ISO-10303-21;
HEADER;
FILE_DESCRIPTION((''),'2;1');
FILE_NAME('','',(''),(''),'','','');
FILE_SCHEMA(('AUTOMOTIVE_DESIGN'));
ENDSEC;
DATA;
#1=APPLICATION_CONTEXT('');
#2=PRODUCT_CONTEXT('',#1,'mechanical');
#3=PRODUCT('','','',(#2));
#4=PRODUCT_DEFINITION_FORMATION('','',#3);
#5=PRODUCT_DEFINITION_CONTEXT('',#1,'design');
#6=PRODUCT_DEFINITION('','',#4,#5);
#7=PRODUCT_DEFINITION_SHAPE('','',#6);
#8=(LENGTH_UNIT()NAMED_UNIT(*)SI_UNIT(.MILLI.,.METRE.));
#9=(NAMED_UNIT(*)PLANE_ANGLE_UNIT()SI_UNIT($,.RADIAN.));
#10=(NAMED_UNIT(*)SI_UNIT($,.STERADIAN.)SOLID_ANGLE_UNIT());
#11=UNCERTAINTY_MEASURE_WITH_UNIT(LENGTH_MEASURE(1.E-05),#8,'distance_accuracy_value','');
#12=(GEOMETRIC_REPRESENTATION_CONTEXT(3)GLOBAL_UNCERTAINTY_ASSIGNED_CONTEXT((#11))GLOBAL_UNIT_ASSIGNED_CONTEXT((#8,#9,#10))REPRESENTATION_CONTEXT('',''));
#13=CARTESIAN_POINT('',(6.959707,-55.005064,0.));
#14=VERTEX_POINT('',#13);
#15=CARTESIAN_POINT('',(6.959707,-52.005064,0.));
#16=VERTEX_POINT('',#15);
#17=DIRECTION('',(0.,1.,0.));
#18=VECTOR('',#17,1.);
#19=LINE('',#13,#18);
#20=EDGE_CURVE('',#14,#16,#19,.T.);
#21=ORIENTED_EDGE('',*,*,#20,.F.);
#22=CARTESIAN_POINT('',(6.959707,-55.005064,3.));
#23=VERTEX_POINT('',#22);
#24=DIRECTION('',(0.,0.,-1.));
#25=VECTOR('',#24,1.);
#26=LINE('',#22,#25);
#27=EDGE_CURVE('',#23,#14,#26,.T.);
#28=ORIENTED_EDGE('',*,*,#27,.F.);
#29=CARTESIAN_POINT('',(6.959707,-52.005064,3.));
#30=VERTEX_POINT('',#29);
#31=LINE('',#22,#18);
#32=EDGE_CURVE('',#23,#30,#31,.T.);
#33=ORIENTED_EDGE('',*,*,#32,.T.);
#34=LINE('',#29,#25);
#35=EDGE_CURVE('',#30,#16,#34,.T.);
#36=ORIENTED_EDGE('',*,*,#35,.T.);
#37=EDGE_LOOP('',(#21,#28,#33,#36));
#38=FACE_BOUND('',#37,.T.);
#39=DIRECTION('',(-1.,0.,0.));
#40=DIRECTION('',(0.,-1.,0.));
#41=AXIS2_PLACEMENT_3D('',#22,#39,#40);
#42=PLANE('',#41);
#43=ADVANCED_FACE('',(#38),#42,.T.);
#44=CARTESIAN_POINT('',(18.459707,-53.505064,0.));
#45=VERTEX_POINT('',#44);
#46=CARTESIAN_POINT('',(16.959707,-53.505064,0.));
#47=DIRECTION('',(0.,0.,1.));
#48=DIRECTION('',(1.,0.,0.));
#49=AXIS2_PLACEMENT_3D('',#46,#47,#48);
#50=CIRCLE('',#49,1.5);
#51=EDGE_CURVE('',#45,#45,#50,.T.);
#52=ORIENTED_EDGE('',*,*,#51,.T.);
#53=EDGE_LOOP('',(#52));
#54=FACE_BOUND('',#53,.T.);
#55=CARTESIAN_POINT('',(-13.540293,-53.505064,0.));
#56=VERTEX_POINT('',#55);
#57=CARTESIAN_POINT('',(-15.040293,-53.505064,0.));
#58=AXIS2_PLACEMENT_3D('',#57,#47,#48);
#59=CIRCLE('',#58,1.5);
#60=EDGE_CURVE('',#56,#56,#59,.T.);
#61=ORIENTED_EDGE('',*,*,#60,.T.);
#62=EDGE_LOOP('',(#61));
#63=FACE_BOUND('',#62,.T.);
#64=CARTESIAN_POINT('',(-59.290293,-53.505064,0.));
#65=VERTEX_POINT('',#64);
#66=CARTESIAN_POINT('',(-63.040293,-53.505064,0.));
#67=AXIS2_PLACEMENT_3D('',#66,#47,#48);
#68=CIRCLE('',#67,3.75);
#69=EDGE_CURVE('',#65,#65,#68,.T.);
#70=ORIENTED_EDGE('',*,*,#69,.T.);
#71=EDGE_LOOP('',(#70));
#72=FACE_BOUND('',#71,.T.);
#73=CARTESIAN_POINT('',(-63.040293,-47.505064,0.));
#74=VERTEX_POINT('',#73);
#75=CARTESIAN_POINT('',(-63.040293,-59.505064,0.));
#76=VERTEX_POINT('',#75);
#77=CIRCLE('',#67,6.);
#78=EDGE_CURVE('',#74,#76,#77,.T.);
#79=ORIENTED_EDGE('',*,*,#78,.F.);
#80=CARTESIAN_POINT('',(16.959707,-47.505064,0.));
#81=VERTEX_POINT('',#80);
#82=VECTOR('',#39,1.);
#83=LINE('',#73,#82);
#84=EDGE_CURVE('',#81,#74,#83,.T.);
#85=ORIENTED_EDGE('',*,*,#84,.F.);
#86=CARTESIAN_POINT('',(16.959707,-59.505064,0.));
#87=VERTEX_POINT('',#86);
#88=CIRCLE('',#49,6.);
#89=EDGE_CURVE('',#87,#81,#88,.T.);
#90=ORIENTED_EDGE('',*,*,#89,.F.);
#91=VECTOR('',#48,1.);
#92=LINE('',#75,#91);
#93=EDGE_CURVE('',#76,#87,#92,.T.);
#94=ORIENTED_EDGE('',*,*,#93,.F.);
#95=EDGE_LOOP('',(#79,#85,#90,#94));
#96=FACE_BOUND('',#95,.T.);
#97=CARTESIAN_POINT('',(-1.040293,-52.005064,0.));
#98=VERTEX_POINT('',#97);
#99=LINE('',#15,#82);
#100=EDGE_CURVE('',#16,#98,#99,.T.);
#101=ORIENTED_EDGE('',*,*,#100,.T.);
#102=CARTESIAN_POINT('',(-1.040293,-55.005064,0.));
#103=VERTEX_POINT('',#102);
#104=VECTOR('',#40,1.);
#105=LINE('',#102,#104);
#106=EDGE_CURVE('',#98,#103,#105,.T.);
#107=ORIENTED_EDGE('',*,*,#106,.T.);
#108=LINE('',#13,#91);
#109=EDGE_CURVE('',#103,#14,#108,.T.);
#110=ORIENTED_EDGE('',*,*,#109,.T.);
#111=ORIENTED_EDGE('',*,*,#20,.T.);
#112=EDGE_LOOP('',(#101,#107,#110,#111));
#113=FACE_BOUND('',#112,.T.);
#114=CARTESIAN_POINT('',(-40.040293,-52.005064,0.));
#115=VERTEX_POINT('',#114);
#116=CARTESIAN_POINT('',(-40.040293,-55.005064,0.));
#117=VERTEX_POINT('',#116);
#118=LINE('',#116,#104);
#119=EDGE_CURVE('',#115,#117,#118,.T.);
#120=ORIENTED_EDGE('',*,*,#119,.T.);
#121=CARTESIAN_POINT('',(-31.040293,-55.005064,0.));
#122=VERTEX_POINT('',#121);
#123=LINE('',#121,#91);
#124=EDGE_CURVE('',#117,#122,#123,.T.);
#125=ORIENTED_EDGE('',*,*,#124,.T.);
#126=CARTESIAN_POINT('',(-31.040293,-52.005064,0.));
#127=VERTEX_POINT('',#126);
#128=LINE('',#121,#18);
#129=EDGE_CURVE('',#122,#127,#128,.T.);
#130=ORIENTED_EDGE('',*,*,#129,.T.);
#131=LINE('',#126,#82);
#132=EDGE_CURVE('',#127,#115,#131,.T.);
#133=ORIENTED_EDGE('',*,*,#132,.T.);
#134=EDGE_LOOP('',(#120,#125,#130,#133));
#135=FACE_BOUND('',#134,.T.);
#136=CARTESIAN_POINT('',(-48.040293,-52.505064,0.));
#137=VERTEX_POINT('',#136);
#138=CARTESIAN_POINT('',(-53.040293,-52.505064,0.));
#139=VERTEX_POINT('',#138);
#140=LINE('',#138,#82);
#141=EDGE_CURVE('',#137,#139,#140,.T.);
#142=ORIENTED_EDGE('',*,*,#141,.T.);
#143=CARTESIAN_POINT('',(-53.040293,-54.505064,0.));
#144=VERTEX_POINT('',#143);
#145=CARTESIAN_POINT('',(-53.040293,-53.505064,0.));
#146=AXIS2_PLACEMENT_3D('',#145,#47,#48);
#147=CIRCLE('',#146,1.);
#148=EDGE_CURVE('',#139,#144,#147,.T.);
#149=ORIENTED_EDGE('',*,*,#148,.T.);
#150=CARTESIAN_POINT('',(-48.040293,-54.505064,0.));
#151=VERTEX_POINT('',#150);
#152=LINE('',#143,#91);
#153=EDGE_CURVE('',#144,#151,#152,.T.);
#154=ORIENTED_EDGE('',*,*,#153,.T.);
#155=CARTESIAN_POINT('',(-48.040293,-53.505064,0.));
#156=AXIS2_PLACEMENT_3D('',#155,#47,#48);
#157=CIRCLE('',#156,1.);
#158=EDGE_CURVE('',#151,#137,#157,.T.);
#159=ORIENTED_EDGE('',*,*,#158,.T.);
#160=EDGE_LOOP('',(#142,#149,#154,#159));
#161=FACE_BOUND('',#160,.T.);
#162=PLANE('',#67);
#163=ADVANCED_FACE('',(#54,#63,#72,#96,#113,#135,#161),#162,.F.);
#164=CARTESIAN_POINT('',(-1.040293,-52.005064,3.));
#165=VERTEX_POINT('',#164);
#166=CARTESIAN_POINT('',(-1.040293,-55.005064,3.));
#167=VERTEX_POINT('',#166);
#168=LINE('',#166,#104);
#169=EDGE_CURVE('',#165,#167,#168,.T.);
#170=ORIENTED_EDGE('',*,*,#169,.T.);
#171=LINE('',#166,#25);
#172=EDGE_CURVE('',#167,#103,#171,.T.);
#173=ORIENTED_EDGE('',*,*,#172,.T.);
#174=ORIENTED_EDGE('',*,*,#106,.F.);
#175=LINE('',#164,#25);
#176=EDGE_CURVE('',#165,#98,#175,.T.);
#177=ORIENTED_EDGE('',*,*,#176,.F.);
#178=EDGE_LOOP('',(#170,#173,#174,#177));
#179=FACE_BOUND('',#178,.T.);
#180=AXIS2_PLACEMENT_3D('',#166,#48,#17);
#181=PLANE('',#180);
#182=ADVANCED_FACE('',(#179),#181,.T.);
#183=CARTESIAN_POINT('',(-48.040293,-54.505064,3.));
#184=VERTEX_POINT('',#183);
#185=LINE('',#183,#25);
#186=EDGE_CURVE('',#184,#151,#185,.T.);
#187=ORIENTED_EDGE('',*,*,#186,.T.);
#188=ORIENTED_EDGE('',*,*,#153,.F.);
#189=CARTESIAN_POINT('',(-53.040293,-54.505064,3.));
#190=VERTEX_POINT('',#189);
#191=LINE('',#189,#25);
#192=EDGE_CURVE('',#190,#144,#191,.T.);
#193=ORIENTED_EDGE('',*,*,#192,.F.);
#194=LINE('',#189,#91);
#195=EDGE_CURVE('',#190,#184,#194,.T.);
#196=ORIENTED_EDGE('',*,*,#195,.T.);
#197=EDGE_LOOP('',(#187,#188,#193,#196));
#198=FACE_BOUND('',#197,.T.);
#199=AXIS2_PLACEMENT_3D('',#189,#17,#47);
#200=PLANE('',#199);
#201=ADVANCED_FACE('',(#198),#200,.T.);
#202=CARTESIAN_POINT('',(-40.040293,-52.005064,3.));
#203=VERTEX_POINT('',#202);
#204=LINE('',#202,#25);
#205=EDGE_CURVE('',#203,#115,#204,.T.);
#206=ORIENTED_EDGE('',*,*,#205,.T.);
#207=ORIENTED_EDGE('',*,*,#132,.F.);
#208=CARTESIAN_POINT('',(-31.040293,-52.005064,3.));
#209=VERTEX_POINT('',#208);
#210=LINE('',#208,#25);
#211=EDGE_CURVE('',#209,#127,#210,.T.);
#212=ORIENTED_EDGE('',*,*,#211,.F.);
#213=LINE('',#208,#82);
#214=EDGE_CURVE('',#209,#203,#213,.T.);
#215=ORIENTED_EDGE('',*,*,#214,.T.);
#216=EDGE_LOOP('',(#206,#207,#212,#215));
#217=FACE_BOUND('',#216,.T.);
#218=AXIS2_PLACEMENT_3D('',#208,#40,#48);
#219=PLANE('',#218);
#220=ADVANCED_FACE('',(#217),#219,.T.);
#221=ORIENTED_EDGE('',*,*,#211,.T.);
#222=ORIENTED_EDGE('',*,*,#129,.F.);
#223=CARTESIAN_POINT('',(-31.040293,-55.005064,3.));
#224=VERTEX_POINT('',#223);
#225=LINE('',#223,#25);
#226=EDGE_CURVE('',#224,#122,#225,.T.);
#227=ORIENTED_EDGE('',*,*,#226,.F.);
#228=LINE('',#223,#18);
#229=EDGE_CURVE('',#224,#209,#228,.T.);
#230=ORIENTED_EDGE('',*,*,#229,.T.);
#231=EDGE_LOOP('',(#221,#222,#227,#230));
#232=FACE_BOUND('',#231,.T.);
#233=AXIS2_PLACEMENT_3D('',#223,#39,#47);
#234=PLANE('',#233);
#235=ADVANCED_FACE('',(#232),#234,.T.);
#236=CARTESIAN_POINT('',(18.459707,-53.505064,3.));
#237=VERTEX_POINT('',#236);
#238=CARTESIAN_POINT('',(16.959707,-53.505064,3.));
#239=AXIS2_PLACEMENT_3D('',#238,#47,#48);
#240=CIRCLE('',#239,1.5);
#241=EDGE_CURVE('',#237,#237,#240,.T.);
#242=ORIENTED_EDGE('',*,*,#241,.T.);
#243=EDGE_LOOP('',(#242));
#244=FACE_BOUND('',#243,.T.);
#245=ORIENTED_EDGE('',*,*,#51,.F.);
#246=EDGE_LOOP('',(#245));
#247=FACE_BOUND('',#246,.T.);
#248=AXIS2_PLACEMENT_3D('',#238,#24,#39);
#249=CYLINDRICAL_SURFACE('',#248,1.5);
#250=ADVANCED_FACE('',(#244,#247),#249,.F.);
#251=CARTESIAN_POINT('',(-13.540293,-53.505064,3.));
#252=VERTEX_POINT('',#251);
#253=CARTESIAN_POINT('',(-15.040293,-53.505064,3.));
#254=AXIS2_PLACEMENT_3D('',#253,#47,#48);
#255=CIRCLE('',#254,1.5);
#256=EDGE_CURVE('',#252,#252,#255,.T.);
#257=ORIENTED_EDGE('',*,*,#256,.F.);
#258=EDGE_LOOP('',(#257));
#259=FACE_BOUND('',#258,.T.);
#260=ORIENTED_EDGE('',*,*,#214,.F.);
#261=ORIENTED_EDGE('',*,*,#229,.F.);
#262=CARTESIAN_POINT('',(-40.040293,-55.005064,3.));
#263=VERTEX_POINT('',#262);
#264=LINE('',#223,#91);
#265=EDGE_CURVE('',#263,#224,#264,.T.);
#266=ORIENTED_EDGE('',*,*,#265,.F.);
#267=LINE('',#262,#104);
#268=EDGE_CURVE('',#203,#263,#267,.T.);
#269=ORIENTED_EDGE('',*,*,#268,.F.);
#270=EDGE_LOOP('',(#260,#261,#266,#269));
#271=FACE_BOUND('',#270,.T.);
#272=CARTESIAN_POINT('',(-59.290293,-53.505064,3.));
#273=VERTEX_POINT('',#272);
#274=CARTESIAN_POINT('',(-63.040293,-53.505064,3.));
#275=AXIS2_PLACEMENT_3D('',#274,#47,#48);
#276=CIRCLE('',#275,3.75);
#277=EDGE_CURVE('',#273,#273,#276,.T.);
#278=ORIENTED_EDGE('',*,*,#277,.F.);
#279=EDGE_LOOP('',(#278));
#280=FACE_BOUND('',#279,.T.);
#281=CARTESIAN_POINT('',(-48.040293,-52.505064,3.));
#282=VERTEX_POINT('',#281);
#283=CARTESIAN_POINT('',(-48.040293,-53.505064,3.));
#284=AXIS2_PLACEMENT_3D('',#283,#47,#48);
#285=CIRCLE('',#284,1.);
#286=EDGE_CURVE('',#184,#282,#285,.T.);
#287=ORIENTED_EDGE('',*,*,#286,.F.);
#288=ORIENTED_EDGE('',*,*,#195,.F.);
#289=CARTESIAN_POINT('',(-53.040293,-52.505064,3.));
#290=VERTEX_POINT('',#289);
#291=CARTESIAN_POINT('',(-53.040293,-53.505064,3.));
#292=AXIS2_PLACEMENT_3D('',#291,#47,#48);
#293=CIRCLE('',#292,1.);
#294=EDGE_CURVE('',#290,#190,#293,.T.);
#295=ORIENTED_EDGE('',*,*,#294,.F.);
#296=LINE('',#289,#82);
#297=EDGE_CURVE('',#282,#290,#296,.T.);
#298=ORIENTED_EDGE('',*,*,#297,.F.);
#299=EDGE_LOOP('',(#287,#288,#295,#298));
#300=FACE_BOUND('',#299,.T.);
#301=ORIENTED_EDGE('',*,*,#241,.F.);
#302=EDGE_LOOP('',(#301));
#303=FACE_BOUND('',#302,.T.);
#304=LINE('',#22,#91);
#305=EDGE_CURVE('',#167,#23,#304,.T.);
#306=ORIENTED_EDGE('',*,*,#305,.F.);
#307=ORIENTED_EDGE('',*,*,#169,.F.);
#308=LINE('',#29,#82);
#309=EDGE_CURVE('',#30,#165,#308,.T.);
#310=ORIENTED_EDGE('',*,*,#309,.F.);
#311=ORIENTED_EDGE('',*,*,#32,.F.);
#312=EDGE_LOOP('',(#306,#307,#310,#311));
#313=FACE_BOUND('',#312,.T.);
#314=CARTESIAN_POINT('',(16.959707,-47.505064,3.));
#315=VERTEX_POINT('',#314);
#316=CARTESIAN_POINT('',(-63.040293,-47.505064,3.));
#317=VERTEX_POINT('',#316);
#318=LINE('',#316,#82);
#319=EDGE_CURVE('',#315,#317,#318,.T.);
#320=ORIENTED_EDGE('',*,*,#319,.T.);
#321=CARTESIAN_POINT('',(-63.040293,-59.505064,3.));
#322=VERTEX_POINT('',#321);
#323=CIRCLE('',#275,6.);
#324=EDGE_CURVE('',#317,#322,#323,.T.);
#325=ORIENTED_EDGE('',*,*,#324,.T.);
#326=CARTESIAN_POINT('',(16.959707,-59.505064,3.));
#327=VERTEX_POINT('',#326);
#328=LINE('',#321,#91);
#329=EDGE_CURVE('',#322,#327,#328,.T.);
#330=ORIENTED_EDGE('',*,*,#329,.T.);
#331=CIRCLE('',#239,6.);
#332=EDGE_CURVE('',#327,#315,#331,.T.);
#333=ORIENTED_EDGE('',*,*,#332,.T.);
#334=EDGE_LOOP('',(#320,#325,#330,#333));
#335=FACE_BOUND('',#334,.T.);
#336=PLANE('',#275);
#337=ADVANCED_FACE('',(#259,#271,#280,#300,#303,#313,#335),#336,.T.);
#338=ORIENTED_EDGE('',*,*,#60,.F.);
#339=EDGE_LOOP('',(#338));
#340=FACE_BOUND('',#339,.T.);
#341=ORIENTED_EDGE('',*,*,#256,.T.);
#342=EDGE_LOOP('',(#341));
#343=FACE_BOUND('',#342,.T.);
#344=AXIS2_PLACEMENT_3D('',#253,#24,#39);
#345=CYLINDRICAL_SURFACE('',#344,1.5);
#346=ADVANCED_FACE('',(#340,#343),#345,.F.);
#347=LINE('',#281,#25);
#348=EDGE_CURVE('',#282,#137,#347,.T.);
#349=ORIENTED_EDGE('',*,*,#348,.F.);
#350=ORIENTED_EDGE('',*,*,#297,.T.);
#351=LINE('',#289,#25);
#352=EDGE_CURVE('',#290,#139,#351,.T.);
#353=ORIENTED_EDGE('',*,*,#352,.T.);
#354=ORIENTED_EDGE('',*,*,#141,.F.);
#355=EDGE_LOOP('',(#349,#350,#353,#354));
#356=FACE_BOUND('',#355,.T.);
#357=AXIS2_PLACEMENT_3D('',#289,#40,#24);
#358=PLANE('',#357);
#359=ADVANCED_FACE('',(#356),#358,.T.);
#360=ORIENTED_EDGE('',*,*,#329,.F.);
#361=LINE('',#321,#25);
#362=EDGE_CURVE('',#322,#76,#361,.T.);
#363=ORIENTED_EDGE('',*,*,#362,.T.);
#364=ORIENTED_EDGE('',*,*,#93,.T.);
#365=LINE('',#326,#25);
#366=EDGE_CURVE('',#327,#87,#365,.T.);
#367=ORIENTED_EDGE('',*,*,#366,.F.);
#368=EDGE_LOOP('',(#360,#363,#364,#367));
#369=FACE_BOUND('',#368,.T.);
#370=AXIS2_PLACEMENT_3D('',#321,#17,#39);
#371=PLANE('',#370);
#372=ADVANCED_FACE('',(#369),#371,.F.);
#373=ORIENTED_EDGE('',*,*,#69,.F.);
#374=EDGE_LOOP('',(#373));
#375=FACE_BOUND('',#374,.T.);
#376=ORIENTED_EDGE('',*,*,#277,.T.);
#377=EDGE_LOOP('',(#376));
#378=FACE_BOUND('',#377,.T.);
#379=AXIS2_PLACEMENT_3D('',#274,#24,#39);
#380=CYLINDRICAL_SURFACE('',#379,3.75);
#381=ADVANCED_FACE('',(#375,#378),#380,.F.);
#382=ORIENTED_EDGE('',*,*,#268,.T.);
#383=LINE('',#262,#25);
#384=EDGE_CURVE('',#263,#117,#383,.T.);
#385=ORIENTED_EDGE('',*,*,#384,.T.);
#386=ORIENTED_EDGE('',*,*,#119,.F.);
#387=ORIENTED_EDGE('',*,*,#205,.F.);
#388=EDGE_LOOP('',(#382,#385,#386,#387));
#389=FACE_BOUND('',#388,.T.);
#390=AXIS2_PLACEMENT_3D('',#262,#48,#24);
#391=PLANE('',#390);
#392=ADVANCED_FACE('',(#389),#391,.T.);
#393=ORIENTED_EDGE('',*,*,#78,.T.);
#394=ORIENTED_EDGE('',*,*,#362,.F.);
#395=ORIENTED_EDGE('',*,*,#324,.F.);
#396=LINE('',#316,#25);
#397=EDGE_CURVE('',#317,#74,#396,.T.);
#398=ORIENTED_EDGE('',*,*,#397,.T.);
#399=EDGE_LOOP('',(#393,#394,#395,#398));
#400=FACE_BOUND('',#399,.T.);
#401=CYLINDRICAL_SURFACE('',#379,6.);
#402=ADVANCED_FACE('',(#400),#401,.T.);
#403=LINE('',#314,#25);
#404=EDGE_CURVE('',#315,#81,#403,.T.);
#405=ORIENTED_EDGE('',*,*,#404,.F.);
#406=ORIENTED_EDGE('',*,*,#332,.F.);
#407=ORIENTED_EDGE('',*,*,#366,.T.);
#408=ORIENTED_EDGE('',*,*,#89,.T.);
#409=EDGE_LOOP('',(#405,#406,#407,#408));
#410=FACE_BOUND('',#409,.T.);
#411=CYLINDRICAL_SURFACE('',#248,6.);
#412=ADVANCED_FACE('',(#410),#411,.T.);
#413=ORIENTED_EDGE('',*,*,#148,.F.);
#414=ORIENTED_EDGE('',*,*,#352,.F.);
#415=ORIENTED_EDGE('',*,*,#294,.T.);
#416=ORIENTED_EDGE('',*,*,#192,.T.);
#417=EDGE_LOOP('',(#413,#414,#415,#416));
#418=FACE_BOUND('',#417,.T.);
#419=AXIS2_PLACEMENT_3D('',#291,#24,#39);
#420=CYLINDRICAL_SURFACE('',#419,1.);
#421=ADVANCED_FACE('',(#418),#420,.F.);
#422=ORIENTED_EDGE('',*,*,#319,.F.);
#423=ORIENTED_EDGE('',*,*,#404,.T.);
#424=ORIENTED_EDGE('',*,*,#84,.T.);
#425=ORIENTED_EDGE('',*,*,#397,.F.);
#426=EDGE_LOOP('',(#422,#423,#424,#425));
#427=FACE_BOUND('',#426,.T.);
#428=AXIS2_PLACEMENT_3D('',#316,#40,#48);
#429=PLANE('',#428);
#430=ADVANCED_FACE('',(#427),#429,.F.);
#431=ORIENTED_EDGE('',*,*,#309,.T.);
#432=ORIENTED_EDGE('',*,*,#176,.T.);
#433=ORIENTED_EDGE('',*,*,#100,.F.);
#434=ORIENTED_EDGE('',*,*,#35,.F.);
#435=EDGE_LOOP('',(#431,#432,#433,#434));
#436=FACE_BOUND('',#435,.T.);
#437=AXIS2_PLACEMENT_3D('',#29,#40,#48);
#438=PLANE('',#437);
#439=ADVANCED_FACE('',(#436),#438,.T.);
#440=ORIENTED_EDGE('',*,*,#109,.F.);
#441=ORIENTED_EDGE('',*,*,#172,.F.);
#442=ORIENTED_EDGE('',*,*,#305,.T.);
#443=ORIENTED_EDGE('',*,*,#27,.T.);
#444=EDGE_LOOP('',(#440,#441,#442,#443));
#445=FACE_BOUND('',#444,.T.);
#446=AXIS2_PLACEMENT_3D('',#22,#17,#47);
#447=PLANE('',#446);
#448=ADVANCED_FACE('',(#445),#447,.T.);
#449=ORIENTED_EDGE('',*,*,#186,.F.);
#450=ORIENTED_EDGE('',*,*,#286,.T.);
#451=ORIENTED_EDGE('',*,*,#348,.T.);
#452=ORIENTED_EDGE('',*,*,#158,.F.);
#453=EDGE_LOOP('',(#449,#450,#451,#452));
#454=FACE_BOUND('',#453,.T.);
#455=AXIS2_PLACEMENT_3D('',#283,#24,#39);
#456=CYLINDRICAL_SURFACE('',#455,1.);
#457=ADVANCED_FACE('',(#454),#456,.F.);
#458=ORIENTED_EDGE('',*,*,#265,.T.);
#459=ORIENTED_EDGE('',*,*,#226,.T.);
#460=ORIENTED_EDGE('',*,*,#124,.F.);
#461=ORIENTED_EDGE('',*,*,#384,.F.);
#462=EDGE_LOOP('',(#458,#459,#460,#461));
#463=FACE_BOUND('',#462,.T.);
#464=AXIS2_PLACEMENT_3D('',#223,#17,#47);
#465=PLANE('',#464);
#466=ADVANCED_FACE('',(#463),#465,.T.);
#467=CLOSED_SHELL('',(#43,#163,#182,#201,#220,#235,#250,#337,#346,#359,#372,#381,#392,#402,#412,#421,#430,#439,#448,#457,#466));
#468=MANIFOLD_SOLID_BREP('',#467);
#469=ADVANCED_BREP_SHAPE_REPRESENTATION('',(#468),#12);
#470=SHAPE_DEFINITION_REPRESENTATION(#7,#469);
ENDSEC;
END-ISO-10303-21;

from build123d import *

# Parameters (mm, degrees)
ESQUISSE9_R        = 1.5
ESQUISSE9_R_2      = 3.75
ESQUISSE9_W        = 9
ESQUISSE9_H        = 3
ESQUISSE9_W_2      = 8
BOSS_EXTRU_9_DEPTH = 3


with BuildPart() as part:
    # Esquisse9 → Boss.-Extru.9 (new body)
    with BuildSketch(Plane.XY):
        with BuildLine():
            Line((-63.040292512, -47.505063948), (16.959707488, -47.505063948))
            ThreePointArc((16.959707488, -47.505063948), (22.959707488, -53.505063948), (16.959707488, -59.505063948))
            Line((16.959707488, -59.505063948), (-63.040292512, -59.505063948))
            ThreePointArc((-63.040292512, -59.505063948), (-69.040292512, -53.505063948), (-63.040292512, -47.505063948))
        make_face()
        with Locations((-15.040292512, -53.505063948)):
            Circle(ESQUISSE9_R, mode=Mode.SUBTRACT)
        with Locations((16.959707488, -53.505063948)):
            Circle(ESQUISSE9_R, mode=Mode.SUBTRACT)
        with Locations((-63.040292512, -53.505063948)):
            Circle(ESQUISSE9_R_2, mode=Mode.SUBTRACT)
        with Locations((-35.540292512, -53.505063948)):
            Rectangle(ESQUISSE9_W, ESQUISSE9_H, mode=Mode.SUBTRACT)
        with Locations((2.959707488, -53.505063948)):
            Rectangle(ESQUISSE9_W_2, ESQUISSE9_H, mode=Mode.SUBTRACT)
        with BuildLine():
            Line((-53.040292512, -52.505063948), (-48.040292512, -52.505063948))
            ThreePointArc((-48.040292512, -52.505063948), (-47.040292512, -53.505063948), (-48.040292512, -54.505063948))
            Line((-48.040292512, -54.505063948), (-53.040292512, -54.505063948))
            ThreePointArc((-53.040292512, -54.505063948), (-54.040292512, -53.505063948), (-53.040292512, -52.505063948))
        make_face(mode=Mode.SUBTRACT)
    extrude(amount=BOSS_EXTRU_9_DEPTH)


solid = part.part
